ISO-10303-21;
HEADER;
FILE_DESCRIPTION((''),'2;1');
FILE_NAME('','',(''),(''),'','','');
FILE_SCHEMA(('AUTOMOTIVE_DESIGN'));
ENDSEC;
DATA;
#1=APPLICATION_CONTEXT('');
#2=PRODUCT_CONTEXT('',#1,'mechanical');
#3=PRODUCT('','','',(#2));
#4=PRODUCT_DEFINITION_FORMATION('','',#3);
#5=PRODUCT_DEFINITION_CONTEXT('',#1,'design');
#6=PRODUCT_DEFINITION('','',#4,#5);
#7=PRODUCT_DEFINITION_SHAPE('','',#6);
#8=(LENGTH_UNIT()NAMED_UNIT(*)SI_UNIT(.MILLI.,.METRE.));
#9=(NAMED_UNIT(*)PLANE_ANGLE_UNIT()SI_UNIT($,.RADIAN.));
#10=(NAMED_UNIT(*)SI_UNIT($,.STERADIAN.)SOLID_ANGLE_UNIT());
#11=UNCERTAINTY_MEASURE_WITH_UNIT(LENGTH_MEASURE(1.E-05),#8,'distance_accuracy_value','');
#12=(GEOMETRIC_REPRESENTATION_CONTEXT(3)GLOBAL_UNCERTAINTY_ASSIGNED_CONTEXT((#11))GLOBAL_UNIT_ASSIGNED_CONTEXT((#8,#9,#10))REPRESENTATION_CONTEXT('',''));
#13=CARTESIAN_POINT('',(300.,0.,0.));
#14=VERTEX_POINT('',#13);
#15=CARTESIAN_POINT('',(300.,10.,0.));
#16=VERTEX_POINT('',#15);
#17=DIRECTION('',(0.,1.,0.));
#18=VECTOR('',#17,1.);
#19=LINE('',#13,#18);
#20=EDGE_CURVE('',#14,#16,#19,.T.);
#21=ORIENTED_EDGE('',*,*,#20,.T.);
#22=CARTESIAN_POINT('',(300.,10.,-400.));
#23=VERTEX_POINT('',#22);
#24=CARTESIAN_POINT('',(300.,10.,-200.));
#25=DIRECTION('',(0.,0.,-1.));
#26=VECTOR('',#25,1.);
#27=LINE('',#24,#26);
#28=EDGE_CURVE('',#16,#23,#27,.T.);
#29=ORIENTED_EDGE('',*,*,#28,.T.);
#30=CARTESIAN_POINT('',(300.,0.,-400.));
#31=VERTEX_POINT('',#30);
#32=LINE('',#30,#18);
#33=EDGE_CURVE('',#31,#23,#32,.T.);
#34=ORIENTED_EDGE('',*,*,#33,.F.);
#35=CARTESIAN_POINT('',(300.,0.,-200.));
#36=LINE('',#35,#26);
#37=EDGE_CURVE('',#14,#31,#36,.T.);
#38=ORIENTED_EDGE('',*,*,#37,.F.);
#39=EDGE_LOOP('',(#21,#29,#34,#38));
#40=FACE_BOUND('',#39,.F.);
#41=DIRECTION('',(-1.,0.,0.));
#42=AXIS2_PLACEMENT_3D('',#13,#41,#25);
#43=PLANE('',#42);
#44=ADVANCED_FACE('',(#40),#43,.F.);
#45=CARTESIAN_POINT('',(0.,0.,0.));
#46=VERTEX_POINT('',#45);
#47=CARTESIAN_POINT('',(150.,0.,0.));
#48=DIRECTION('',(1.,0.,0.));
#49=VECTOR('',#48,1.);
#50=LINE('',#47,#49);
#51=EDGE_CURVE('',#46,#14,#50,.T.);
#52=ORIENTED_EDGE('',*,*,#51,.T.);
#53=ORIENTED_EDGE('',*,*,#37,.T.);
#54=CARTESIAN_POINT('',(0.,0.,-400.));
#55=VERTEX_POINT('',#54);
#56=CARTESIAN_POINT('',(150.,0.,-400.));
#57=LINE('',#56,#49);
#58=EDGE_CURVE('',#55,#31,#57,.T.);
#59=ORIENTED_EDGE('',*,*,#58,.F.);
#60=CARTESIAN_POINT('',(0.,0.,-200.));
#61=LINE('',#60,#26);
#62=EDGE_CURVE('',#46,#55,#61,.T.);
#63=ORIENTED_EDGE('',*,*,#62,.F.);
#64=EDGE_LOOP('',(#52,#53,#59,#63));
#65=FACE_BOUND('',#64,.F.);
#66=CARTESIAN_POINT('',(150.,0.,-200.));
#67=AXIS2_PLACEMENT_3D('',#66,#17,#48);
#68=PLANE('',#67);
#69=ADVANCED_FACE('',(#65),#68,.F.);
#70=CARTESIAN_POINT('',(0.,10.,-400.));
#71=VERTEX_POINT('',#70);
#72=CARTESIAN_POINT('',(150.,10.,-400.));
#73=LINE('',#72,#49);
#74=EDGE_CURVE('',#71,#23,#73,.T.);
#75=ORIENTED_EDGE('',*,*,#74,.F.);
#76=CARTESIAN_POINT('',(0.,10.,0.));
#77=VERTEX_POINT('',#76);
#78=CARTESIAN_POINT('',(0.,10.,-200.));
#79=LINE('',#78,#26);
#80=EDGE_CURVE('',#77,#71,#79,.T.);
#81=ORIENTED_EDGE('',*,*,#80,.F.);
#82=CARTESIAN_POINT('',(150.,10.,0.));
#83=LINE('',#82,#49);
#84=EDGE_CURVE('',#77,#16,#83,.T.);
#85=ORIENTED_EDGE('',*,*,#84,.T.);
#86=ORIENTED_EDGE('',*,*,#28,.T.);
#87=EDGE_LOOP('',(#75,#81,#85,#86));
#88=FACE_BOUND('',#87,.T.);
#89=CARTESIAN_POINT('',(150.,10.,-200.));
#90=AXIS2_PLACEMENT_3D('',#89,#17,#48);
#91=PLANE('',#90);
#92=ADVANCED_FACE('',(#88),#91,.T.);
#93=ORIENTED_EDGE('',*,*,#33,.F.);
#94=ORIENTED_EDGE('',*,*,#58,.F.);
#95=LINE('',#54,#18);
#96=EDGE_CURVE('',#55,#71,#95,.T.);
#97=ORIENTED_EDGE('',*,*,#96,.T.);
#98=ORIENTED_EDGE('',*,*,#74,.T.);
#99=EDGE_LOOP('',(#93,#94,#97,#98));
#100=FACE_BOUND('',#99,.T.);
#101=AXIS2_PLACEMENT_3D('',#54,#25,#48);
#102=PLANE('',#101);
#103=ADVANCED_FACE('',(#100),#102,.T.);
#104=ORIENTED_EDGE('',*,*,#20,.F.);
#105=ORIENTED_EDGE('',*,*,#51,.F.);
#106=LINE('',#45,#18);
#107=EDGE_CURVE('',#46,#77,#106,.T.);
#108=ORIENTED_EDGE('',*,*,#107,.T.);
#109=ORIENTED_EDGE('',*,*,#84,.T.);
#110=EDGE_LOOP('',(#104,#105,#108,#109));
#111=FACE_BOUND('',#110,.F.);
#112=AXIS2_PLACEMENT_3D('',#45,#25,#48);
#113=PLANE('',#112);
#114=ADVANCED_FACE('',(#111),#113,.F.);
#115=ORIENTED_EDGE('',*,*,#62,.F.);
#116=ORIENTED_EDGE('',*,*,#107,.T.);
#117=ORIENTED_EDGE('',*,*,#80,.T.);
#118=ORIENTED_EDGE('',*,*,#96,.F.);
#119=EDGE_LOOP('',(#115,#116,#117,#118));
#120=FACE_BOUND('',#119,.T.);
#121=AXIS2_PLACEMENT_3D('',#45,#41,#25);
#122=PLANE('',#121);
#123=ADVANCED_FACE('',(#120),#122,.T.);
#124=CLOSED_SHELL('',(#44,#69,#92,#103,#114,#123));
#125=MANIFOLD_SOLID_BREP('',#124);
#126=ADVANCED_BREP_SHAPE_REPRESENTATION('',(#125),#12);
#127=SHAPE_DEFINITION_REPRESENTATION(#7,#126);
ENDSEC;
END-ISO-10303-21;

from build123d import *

# Parameters (mm, degrees)
ESQUISSE1_W      = 300
ESQUISSE1_H      = 400
EXTRUSION1_DEPTH = 10


with BuildPart() as part:
    # Esquisse1 → Extrusion1 (new body)
    with BuildSketch(Plane(origin=(0, 0, 0), x_dir=(1, 0, 0), z_dir=(0, 1, 0))):
        with Locations((150, 200)):
            Rectangle(ESQUISSE1_W, ESQUISSE1_H)
    extrude(amount=EXTRUSION1_DEPTH)


solid = part.part
